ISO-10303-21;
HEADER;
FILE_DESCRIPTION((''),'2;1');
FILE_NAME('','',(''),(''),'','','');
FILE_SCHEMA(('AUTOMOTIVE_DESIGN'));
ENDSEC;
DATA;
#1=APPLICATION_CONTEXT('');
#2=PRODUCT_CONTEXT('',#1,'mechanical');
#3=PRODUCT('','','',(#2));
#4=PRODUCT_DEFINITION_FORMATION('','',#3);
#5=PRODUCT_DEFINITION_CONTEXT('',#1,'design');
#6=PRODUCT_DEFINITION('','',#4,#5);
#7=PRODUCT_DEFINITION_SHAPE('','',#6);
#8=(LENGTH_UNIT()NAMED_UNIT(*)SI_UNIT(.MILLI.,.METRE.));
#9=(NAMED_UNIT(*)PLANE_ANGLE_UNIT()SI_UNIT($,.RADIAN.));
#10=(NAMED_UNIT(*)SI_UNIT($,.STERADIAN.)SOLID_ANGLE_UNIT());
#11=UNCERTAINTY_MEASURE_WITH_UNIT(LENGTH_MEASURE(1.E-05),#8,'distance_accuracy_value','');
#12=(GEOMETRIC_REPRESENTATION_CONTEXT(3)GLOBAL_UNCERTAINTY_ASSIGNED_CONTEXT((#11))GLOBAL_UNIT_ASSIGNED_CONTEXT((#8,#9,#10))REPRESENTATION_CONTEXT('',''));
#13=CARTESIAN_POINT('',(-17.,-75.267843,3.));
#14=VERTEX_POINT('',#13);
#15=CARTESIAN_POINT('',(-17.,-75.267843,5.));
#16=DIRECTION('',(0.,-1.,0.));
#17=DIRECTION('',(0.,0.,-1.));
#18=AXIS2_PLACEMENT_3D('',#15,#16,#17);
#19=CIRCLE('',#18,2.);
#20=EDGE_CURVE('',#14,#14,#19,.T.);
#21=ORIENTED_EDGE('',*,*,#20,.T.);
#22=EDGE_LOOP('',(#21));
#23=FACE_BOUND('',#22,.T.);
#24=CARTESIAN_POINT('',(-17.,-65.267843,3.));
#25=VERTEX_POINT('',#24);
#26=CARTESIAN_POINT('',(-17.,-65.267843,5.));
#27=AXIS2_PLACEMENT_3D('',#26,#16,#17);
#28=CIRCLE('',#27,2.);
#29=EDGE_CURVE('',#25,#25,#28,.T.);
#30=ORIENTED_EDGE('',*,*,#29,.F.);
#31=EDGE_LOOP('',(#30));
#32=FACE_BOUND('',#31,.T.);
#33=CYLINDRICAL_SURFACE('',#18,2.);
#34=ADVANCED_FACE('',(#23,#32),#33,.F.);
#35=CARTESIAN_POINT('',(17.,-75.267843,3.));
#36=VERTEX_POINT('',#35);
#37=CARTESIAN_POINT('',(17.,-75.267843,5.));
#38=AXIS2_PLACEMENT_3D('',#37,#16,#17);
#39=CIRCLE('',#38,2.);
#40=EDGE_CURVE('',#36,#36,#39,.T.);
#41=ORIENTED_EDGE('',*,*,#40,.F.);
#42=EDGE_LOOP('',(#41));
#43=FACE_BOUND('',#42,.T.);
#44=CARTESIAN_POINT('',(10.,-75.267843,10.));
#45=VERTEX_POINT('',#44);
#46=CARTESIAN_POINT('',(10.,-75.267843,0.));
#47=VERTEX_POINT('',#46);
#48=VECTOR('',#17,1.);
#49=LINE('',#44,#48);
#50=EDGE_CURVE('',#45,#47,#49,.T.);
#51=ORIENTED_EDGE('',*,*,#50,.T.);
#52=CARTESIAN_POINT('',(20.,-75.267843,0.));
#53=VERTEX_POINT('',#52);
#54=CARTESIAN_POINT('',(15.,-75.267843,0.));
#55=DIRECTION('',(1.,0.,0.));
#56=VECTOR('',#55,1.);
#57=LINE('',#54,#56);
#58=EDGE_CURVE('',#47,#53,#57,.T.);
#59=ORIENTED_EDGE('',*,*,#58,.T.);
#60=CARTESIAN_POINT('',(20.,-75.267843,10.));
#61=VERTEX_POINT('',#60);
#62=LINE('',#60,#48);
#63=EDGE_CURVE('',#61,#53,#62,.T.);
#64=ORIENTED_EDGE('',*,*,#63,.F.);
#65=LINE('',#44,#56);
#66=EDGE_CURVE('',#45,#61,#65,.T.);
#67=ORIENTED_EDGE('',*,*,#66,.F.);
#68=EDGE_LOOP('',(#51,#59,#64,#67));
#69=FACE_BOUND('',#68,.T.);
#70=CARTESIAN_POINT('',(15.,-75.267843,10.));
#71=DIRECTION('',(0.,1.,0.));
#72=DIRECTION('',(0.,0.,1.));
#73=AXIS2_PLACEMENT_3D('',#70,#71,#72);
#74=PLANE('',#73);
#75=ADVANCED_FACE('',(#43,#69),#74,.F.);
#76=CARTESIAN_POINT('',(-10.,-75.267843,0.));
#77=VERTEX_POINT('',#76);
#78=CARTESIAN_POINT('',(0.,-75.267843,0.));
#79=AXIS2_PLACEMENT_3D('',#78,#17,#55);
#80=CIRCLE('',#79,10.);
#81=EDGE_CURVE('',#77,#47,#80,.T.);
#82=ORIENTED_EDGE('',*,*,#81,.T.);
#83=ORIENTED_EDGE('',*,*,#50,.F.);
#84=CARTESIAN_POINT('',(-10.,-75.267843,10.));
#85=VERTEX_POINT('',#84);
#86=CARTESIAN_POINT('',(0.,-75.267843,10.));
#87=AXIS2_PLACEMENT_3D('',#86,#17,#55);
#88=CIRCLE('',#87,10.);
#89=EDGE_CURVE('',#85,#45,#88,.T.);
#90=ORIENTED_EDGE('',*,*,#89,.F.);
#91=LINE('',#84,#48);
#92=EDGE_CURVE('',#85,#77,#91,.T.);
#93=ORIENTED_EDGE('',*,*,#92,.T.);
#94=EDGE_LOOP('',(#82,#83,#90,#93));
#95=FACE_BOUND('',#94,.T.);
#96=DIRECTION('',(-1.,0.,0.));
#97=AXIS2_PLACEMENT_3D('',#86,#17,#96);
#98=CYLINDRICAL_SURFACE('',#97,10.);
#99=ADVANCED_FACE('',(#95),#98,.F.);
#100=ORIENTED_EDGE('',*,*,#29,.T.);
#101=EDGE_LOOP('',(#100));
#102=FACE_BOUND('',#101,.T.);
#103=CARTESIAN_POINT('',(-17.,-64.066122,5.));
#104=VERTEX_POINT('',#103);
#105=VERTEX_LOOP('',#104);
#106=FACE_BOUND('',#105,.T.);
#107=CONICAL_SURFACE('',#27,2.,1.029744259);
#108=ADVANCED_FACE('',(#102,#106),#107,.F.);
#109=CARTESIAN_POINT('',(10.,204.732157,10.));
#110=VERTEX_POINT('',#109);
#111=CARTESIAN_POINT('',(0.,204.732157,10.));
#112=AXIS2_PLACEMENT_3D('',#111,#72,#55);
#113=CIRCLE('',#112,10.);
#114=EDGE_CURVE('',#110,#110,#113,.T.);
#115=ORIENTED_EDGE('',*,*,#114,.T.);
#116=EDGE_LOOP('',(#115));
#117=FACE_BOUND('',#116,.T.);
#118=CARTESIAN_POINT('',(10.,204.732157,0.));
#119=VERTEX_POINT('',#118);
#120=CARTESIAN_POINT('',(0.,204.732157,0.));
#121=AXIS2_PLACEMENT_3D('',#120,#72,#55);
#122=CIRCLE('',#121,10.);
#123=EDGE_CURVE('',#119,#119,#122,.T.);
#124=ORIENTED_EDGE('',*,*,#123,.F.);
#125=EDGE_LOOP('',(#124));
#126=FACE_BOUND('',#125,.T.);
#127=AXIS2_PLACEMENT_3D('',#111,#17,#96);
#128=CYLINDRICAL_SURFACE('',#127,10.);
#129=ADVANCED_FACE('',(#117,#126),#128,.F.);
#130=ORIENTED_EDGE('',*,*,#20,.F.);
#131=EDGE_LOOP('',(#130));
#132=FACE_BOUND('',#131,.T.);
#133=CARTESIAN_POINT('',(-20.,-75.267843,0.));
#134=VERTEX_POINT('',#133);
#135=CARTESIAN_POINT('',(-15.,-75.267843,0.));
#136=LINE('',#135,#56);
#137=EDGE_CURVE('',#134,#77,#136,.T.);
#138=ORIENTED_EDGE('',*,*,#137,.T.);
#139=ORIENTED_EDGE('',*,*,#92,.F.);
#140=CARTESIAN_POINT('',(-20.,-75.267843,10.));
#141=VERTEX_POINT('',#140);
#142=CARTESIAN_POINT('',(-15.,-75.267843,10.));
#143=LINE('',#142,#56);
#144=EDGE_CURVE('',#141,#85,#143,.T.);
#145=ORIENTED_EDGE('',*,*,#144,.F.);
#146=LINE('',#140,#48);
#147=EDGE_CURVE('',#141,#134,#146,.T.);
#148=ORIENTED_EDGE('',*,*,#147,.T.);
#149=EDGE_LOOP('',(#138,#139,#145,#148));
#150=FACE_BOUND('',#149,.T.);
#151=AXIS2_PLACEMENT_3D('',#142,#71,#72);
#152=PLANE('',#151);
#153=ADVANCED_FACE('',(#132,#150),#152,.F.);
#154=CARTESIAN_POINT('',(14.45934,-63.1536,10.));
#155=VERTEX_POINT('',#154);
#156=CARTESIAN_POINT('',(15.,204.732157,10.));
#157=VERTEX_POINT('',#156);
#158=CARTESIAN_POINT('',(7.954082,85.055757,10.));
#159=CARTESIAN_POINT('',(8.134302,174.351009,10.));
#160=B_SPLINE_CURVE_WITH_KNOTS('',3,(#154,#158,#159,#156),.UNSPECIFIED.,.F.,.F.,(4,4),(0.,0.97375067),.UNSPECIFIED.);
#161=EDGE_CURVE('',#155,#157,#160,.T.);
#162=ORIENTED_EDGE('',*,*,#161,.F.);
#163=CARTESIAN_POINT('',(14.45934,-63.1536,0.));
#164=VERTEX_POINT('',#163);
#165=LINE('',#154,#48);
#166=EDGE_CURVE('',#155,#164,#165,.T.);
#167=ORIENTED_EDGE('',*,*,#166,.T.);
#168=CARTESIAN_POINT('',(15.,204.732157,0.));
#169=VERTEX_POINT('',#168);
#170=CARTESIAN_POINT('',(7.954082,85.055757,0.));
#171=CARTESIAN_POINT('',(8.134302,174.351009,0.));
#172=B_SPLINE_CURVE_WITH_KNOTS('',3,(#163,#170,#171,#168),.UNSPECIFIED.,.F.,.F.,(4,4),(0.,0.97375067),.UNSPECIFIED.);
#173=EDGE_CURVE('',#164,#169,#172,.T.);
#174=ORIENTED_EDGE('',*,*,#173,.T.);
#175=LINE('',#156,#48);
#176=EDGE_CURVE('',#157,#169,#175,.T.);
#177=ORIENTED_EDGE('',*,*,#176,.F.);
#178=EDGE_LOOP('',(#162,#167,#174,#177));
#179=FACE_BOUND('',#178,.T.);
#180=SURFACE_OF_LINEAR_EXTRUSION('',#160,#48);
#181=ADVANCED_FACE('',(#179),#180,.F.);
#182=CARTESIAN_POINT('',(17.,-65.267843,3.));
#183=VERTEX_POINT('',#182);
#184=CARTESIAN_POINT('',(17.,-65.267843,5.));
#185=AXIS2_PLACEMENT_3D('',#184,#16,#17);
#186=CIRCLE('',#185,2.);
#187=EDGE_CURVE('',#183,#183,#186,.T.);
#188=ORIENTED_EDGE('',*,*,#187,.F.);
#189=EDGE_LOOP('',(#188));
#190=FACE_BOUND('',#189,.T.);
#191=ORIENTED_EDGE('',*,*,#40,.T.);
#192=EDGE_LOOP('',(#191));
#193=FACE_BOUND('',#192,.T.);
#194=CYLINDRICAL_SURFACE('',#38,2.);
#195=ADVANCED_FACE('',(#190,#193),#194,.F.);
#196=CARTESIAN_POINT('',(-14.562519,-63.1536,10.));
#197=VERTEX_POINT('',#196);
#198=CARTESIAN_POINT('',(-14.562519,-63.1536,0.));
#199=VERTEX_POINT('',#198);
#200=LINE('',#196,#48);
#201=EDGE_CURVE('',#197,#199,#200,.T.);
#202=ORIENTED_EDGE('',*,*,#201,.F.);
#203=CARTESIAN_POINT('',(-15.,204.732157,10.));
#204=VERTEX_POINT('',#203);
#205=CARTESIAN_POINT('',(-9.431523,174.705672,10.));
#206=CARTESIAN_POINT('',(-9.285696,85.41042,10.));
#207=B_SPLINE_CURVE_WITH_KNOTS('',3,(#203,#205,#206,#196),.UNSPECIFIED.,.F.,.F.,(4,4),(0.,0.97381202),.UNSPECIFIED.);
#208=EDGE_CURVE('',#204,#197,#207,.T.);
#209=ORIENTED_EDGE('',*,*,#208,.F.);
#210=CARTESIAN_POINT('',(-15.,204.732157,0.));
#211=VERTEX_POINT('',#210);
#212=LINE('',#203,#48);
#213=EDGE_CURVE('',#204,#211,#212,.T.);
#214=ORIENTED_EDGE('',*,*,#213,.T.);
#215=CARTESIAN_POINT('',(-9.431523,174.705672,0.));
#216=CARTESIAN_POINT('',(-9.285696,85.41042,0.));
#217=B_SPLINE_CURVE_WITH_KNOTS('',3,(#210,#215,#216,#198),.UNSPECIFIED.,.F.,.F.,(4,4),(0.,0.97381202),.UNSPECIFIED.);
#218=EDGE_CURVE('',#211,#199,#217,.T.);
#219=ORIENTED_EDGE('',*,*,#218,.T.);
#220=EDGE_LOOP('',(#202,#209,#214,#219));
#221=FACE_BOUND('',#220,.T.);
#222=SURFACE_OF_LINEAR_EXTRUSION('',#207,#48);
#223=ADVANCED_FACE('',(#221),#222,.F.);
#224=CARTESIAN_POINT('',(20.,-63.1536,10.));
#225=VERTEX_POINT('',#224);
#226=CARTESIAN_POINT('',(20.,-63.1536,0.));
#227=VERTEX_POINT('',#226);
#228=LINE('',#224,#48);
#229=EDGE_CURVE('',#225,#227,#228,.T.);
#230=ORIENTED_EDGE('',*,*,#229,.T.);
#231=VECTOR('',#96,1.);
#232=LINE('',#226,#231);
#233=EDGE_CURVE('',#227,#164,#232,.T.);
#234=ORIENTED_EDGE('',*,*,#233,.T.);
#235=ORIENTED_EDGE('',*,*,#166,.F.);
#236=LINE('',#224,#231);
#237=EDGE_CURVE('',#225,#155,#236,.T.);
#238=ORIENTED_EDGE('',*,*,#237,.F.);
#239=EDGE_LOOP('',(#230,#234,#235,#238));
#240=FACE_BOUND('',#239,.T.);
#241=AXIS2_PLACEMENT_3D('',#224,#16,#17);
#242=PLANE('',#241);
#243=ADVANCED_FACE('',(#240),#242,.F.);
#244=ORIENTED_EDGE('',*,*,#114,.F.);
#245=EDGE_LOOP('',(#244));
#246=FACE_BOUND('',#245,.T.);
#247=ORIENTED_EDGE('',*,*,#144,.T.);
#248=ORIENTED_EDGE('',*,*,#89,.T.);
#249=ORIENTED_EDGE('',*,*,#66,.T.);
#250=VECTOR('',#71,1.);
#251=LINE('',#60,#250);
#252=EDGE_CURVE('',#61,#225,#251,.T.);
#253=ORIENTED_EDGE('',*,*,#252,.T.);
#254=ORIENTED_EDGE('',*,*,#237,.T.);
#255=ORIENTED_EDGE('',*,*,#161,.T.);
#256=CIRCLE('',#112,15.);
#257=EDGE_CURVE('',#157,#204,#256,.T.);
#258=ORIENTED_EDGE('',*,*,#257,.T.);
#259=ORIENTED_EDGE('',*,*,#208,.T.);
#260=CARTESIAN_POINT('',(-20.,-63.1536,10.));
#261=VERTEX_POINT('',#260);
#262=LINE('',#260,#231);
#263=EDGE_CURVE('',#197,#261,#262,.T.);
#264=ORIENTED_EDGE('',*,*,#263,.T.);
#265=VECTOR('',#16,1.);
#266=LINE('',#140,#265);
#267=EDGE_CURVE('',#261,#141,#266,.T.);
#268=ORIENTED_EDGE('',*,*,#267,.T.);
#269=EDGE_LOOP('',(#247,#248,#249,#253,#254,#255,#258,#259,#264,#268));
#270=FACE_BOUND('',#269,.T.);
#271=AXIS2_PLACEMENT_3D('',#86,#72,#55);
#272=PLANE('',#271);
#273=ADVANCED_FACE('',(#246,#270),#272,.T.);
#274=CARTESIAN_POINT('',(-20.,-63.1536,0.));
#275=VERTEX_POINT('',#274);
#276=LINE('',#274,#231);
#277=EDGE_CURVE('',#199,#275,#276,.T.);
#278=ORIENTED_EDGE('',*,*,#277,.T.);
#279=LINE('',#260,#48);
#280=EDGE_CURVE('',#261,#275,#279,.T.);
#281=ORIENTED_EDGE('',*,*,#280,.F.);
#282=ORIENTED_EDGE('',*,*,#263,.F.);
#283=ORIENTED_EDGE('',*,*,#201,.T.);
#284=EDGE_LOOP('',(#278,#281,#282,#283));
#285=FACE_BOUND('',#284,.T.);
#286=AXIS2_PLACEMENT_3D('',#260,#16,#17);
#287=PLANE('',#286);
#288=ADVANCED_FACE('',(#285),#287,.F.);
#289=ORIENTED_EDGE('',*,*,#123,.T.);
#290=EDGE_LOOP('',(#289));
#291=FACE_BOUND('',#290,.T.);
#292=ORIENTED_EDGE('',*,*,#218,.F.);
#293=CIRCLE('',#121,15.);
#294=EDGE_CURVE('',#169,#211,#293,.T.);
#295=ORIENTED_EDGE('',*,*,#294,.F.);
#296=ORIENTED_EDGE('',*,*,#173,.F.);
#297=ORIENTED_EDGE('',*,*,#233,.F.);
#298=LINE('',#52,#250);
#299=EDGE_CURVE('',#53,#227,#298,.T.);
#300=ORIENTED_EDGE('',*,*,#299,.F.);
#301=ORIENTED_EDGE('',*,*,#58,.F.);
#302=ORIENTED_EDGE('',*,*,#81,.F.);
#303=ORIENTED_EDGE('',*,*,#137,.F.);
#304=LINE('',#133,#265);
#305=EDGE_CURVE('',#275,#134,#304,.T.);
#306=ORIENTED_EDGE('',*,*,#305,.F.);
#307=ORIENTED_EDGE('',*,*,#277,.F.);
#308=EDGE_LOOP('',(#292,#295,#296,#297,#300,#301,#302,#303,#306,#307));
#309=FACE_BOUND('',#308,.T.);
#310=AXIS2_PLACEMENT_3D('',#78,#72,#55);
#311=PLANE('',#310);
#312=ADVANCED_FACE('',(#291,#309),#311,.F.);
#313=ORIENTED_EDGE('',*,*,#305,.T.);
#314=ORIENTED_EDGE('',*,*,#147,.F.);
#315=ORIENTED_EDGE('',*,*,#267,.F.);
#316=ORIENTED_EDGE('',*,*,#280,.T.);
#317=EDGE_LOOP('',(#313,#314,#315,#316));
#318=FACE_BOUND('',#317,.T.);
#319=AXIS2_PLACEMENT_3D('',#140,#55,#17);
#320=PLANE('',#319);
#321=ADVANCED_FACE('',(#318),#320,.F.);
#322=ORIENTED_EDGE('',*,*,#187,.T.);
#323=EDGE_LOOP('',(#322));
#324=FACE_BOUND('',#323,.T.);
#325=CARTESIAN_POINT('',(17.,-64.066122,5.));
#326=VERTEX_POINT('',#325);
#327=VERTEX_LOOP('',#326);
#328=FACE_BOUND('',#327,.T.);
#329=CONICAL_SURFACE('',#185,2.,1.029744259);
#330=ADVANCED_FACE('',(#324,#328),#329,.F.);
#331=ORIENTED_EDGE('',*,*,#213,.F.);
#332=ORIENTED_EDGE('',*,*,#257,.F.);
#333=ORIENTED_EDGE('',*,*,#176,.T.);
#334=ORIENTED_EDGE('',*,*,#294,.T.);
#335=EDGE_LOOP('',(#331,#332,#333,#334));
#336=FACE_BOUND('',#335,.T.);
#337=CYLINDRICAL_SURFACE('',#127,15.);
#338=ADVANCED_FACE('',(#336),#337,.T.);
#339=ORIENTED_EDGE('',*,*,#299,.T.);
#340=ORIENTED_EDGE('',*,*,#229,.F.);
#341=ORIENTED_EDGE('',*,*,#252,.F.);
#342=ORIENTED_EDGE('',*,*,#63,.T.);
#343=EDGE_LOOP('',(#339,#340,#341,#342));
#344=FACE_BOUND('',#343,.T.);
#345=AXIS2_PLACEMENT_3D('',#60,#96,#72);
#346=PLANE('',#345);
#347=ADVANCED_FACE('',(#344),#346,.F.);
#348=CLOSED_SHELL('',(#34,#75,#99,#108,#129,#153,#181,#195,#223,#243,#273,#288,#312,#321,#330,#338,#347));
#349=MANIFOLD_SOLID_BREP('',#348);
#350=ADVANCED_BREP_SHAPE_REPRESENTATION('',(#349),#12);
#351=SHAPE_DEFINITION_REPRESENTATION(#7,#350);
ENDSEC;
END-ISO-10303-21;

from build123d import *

# Parameters (mm, degrees)
SKETCH1_R           = 10
BOSS_EXTRUDE1_DEPTH = 10


with BuildPart() as part:
    # Sketch1 → Boss-Extrude1 (new body)
    with BuildSketch(Plane.XY):
        with BuildLine():
            Line((-15, -75.267843328), (-10, -75.267843328))
            ThreePointArc((-10, -75.267843328), (0, -65.267843328), (10, -75.267843328))
            Line((10, -75.267843328), (15, -75.267843328))
            Line((15, -75.267843328), (20, -75.267843328))
            Line((20, -75.267843328), (20, -63.153600369))
            Line((20, -63.153600369), (14.459340055, -63.153600369))
            add(Edge.make_bspline(
                [(15, 204.732156672), (8.134301698, 174.35100944), (7.954081716, 85.055757093), (14.459340055, -63.153600369)],
                knots=[0, 0, 0, 0, 0.97375067, 0.97375067, 0.97375067, 0.97375067], degree=3))
            ThreePointArc((15, 204.732156672), (0, 219.732156672), (-15, 204.732156672))
            add(Edge.make_bspline(
                [(-15, 204.732156672), (-9.431523273, 174.705672452), (-9.285696116, 85.410420106), (-14.56251853, -63.153600369)],
                knots=[0, 0, 0, 0, 0.97381202, 0.97381202, 0.97381202, 0.97381202], degree=3))
            Line((-14.56251853, -63.153600369), (-20, -63.153600369))
            Line((-20, -63.153600369), (-20, -75.267843328))
            Line((-20, -75.267843328), (-15, -75.267843328))
        make_face()
        with Locations((0, 204.732156672)):
            Circle(SKETCH1_R, mode=Mode.SUBTRACT)
    extrude(amount=BOSS_EXTRUDE1_DEPTH)

    # Sketch7 → Ø4.0 (4) Diameter Hole2 (revolve, cut)
    with BuildSketch(Plane(origin=(-17, -75.267843328, 5), x_dir=(0, 0, -1), z_dir=(1, 0, 0))):
        Polygon((0, 0), (0, 11.201721238), (2, 10), (2, 0), align=None)
    f_4_0_4_diameter_hole2 = revolve(axis=Axis((-17, -81.617843328, 5), (0, 1, 0)), mode=Mode.SUBTRACT)

    # Mirror2: Ø4.0 (4) Diameter Hole2 across plane
    add(f_4_0_4_diameter_hole2.mirror(Plane(origin=(0, 0, 0), x_dir=(0, 0, 1), z_dir=(1, 0, 0))), mode=Mode.SUBTRACT)


solid = part.part
